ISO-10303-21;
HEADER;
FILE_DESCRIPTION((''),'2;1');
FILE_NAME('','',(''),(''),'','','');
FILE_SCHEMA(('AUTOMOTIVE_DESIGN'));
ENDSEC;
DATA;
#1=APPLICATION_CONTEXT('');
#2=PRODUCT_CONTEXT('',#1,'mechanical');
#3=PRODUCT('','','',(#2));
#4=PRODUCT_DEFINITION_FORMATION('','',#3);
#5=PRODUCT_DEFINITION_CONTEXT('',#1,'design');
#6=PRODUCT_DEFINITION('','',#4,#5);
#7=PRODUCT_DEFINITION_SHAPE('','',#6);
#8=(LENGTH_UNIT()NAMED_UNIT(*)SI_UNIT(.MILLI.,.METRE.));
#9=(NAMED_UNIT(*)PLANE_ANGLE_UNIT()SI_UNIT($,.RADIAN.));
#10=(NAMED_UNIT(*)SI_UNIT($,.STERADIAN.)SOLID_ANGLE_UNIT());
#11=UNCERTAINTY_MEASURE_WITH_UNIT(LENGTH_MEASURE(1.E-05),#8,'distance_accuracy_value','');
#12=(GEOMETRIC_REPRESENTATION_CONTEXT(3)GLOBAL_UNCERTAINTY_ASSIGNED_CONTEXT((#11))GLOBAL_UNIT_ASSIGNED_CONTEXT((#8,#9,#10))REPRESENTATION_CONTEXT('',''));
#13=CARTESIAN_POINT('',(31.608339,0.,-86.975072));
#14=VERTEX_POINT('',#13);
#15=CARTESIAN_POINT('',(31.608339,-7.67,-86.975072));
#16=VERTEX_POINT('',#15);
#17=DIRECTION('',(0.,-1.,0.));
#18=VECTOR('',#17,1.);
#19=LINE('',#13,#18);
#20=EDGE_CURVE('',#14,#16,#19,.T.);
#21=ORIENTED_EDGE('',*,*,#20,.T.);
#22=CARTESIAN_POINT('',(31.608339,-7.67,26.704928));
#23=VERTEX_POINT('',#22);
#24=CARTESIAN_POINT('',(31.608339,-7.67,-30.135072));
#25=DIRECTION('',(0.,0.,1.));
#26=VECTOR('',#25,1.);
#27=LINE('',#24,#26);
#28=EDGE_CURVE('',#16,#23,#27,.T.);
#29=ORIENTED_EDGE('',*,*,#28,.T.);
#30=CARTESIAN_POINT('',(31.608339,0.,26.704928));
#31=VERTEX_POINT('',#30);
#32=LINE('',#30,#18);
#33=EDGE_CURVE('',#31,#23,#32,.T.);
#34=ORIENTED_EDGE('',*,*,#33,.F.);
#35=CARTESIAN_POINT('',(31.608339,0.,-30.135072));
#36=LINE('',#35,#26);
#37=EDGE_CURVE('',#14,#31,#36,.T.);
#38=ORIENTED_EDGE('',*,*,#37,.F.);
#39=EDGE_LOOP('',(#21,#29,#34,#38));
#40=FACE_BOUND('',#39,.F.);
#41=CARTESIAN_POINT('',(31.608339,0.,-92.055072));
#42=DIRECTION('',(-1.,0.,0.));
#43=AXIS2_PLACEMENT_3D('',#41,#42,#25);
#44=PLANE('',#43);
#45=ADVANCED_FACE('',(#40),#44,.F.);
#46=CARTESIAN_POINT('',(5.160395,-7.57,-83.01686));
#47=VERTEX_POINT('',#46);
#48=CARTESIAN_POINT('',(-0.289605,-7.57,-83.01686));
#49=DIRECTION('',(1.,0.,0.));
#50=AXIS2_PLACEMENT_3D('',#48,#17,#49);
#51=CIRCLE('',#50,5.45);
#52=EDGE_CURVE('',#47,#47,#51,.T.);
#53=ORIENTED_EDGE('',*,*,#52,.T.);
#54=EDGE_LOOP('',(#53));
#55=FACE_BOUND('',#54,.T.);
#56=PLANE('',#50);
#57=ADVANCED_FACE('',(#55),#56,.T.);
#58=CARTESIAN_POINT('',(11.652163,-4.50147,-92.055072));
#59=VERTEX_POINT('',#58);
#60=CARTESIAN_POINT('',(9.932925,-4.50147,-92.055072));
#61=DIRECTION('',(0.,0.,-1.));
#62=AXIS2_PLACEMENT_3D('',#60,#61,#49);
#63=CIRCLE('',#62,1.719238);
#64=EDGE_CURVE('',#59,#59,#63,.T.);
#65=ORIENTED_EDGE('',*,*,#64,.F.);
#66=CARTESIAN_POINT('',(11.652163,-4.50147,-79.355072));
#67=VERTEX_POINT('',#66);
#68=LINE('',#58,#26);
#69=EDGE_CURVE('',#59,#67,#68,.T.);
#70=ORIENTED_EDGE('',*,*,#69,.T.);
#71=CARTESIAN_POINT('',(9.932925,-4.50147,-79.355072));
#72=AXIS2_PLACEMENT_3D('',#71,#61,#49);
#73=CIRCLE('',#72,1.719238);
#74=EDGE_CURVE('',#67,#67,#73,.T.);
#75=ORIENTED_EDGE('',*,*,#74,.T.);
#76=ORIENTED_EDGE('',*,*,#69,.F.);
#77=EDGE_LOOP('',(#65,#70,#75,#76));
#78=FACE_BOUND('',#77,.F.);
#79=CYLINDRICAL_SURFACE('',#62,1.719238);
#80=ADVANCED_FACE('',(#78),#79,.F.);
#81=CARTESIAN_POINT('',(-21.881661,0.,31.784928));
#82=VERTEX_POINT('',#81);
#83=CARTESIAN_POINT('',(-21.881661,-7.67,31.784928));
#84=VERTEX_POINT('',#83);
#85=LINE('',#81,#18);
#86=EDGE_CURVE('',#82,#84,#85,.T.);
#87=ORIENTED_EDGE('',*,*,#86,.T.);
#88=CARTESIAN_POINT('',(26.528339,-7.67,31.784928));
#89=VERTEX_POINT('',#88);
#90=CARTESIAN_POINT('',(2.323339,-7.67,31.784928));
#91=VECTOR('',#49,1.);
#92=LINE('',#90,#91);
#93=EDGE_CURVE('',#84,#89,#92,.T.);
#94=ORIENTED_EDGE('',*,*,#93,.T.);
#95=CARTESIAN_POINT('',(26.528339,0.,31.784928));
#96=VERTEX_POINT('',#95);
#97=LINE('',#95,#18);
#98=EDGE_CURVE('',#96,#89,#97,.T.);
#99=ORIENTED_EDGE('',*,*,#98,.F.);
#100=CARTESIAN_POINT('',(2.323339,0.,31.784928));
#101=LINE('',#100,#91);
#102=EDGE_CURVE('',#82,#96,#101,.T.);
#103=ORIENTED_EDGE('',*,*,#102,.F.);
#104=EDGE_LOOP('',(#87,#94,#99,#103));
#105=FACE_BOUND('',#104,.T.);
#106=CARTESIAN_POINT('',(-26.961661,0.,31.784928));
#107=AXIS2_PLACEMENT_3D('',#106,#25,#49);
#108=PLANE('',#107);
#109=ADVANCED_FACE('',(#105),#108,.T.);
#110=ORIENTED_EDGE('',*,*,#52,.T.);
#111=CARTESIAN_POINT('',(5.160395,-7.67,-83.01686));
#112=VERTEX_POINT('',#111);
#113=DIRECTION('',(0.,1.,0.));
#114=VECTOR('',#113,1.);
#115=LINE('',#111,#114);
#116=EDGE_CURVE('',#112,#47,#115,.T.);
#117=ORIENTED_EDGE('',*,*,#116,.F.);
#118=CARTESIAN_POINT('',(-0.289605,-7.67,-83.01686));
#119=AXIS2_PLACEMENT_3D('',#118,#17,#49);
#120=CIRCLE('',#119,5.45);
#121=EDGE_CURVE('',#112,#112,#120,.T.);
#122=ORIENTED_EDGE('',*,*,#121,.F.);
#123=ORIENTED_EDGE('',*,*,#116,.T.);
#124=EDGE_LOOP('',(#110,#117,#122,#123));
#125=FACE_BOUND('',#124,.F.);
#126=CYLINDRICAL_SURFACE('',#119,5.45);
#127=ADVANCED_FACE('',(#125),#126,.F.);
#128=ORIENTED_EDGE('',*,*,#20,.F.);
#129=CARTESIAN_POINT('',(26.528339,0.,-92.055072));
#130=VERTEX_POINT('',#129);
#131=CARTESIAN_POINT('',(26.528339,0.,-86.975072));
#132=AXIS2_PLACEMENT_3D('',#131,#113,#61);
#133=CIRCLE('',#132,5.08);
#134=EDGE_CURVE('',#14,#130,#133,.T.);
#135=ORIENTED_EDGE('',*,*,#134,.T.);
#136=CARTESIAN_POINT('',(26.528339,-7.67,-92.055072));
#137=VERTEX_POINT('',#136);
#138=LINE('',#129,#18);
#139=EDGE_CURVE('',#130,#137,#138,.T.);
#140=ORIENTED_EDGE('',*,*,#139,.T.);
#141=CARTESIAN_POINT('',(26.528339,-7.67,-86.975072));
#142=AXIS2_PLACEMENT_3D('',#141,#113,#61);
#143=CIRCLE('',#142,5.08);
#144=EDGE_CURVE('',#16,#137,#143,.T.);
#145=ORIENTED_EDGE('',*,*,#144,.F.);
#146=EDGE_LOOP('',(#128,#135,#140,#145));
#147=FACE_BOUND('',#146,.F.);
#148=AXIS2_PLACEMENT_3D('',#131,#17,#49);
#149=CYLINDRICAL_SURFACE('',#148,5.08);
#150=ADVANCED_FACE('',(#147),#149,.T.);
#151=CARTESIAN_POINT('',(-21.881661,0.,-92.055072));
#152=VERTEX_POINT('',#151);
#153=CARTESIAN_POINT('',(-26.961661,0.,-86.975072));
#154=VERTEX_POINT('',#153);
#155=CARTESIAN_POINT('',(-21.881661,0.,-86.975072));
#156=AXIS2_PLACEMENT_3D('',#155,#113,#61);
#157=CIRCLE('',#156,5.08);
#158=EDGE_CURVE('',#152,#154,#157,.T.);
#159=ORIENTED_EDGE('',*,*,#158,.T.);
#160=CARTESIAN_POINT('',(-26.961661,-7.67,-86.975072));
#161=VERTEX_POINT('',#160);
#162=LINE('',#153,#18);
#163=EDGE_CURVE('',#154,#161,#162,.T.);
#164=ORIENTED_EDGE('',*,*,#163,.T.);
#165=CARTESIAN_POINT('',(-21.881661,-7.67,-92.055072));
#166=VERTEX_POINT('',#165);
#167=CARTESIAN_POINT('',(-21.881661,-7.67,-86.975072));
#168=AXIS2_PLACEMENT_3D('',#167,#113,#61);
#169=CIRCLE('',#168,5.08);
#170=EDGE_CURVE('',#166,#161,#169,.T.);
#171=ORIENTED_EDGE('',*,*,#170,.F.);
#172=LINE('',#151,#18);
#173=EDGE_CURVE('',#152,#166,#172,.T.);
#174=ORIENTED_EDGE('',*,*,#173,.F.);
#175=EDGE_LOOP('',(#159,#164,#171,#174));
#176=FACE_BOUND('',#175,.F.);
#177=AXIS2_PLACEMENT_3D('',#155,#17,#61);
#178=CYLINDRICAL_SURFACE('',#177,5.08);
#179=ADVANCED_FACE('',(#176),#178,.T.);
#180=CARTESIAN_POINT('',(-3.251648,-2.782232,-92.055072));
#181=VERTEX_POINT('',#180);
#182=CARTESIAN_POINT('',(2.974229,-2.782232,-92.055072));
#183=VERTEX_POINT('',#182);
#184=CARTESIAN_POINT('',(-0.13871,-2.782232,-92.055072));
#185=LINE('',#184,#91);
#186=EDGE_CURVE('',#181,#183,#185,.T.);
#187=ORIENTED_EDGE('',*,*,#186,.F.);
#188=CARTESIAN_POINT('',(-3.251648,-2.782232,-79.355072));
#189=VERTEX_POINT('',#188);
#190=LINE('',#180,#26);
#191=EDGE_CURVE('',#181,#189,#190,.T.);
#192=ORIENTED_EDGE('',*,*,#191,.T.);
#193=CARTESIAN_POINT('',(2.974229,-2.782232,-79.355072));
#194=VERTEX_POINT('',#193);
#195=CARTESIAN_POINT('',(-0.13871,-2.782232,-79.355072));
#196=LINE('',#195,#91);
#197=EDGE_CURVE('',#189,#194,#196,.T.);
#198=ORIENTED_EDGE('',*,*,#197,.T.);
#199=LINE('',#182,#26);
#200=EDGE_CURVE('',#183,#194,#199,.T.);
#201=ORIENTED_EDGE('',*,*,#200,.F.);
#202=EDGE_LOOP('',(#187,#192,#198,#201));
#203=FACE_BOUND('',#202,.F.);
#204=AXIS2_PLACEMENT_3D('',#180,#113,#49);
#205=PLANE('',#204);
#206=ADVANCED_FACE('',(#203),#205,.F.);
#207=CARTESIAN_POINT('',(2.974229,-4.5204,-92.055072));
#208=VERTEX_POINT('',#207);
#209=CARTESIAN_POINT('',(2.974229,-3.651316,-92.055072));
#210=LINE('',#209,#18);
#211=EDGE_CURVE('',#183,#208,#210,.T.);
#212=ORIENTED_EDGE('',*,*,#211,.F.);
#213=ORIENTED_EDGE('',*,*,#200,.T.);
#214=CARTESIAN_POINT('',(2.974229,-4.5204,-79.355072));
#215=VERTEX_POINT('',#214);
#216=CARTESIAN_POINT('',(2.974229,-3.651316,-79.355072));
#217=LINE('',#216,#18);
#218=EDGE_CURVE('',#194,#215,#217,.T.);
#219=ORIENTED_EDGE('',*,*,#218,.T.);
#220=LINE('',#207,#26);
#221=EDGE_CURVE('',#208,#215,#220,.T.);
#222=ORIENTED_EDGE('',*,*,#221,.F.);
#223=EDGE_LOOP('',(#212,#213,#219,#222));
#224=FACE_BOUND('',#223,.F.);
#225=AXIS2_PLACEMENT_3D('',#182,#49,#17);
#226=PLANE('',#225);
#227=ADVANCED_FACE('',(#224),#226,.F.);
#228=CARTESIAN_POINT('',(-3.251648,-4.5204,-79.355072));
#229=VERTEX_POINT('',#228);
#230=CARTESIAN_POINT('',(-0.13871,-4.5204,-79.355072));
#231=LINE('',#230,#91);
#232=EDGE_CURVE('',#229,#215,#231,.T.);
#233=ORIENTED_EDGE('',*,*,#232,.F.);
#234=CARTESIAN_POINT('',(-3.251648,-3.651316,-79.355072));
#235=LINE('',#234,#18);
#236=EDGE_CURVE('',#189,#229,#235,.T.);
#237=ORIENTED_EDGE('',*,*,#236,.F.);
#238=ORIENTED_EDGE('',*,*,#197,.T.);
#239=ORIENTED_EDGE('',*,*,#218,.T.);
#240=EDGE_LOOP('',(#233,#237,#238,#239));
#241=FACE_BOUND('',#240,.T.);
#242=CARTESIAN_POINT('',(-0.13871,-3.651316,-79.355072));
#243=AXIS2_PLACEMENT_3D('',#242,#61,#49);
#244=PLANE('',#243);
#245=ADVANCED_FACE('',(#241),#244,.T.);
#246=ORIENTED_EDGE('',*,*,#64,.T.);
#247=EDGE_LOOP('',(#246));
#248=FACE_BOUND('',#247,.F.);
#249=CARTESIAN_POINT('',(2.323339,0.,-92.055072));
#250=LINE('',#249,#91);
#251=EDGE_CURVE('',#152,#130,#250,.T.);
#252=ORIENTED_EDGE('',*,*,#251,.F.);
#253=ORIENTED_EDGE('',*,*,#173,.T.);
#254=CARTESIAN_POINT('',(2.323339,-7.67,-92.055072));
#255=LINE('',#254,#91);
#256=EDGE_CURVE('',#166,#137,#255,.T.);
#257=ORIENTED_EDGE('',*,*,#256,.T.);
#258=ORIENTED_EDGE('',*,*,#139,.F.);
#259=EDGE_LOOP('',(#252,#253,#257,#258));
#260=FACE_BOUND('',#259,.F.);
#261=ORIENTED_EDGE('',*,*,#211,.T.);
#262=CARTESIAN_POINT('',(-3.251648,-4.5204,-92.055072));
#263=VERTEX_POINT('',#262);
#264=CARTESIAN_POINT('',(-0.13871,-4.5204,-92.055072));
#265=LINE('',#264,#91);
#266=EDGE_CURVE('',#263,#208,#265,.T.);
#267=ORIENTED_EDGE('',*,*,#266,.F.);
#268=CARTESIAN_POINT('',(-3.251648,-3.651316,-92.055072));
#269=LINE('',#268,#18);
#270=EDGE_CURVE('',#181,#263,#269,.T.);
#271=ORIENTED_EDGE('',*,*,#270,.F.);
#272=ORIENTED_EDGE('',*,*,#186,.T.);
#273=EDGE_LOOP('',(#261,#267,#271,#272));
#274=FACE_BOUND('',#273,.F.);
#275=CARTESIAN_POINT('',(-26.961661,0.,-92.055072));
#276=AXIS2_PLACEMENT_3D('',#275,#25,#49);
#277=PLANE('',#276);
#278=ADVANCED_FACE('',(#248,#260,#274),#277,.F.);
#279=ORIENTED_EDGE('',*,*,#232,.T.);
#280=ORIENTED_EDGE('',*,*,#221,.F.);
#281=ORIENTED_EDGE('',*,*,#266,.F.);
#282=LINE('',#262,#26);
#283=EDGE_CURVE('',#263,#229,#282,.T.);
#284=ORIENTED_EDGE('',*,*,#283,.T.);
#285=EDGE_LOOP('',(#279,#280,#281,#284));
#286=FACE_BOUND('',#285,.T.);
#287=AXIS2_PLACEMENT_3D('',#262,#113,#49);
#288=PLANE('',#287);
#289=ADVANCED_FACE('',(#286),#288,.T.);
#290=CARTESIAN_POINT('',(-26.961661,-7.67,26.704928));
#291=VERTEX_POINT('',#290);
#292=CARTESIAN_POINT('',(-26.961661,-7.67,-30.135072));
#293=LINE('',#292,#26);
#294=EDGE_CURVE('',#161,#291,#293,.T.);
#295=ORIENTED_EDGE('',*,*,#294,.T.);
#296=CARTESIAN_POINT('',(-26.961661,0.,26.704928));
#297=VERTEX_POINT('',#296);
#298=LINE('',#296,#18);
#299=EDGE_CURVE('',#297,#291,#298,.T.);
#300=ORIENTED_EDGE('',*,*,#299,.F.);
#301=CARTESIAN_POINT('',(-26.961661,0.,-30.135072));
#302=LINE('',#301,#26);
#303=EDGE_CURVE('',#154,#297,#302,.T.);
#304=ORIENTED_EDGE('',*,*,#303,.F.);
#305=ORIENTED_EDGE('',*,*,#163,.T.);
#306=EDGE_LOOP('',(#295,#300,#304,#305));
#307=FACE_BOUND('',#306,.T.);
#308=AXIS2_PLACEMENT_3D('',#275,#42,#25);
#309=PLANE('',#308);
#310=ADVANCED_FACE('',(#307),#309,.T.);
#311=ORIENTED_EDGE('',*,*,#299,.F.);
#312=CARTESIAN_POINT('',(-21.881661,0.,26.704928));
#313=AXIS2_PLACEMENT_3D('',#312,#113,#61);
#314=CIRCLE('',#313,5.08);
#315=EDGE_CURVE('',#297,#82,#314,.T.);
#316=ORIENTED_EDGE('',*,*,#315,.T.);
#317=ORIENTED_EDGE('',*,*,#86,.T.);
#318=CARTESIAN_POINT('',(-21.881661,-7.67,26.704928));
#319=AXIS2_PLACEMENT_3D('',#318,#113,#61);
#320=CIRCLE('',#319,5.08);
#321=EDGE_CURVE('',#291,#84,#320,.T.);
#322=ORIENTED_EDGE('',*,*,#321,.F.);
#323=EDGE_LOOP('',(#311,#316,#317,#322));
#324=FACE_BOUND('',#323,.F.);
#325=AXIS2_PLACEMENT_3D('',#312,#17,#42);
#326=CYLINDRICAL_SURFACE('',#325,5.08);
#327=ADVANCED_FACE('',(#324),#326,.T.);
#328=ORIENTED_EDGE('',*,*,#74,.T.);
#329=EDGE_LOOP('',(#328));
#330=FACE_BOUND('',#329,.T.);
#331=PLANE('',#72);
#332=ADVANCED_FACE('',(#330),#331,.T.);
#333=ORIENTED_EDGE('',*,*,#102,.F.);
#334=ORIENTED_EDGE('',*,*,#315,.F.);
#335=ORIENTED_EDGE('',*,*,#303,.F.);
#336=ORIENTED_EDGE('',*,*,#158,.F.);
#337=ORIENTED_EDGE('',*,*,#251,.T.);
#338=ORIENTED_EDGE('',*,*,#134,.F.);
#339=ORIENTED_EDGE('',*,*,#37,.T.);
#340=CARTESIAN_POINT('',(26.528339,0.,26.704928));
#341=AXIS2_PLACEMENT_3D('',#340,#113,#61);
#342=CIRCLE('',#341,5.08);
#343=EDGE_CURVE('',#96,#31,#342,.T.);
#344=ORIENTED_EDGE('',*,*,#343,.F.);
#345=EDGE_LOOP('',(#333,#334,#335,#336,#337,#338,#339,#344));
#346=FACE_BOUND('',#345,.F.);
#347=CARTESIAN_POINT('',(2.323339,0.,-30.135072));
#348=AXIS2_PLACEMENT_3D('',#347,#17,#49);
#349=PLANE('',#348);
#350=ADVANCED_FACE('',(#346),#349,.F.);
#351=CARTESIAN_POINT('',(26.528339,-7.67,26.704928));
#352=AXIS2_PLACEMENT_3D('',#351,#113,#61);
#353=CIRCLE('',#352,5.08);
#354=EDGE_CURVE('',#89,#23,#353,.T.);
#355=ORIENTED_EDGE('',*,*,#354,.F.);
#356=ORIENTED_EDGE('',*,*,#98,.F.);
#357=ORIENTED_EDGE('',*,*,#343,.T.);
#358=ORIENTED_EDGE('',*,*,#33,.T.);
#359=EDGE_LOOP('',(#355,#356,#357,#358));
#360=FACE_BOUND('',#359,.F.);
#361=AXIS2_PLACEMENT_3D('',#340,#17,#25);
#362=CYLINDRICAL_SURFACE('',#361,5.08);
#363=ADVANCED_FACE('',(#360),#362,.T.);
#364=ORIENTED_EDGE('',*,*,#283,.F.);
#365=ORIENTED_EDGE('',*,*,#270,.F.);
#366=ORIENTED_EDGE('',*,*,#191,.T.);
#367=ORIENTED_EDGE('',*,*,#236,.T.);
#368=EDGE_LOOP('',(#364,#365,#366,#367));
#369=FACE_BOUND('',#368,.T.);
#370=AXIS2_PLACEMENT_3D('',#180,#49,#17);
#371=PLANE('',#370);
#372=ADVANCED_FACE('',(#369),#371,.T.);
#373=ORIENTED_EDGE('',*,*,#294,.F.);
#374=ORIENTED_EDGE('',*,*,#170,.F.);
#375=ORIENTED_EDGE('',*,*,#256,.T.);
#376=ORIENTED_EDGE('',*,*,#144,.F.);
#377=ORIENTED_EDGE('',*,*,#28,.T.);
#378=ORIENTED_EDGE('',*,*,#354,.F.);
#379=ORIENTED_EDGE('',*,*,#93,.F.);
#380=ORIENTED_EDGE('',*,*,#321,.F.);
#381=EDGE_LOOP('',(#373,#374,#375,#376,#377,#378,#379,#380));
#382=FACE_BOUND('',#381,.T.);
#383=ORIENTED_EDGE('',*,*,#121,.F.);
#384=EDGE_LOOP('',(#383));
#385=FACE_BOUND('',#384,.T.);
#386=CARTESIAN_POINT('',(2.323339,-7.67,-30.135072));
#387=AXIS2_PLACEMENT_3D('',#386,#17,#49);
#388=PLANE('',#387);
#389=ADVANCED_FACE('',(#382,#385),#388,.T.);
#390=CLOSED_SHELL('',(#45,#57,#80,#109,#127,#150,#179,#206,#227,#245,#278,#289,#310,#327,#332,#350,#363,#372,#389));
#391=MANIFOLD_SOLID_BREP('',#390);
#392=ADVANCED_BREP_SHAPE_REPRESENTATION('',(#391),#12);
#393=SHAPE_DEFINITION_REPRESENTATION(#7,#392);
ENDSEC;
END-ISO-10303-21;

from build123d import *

# Parameters (mm, degrees)
F0_W      = 58.57
F0_H      = 123.84
F1_DEPTH  = 7.67
F2_R      = 5.08
F3_R      = 5.08
F4_R      = 5.08
F5_R      = 5.08
F8_W      = 6.225877
F8_H      = 1.738168
F9_DEPTH  = 12.7
F10_R     = 1.719238
F11_DEPTH = 12.7
F7_R      = 5.45
F12_DEPTH = 0.1


with BuildPart() as f1:
    # F0 (on Front) → F1 (new body)
    with BuildSketch(Plane.XZ):
        with Locations((2.323339, -30.135072)):
            Rectangle(F0_W, F0_H)
    extrude(amount=F1_DEPTH)

    # F2
    f2_edges = [f1.edges().sort_by_distance(p)[0] for p in [
        (-26.961661, -3.835, 31.784928),
    ]]
    fillet(f2_edges, radius=F2_R)

    # F3
    f3_edges = [f1.edges().sort_by_distance(p)[0] for p in [
        (31.608339, -3.835, 31.784928),
    ]]
    fillet(f3_edges, radius=F3_R)

    # F4
    f4_edges = [f1.edges().sort_by_distance(p)[0] for p in [
        (31.608339, -3.835, -92.055072),
    ]]
    fillet(f4_edges, radius=F4_R)

    # F5
    f5_edges = [f1.edges().sort_by_distance(p)[0] for p in [
        (-26.961661, -3.835, -92.055072),
    ]]
    fillet(f5_edges, radius=F5_R)

    # F8 (on face) → F9 (cut)
    with BuildSketch(Plane(origin=(0, 0, -92.055072), x_dir=(1, 0, 0), z_dir=(0, 0, -1))):
        with Locations((-0.13871, 3.651316)):
            Rectangle(F8_W, F8_H)
    extrude(amount=-F9_DEPTH, mode=Mode.SUBTRACT)

    # F10 (on face) → F11 (cut)
    with BuildSketch(Plane(origin=(0, 0, -92.055072), x_dir=(1, 0, 0), z_dir=(0, 0, -1))):
        with Locations((9.932925, 4.50147)):
            Circle(F10_R)
    extrude(amount=-F11_DEPTH, mode=Mode.SUBTRACT)

    # F7 (on face) → F12 (cut)
    with BuildSketch(Plane.XZ.offset(7.67)):
        with Locations((-0.289605, -83.01686)):
            Circle(F7_R)
    extrude(amount=-F12_DEPTH, mode=Mode.SUBTRACT)


solid = f1.part
